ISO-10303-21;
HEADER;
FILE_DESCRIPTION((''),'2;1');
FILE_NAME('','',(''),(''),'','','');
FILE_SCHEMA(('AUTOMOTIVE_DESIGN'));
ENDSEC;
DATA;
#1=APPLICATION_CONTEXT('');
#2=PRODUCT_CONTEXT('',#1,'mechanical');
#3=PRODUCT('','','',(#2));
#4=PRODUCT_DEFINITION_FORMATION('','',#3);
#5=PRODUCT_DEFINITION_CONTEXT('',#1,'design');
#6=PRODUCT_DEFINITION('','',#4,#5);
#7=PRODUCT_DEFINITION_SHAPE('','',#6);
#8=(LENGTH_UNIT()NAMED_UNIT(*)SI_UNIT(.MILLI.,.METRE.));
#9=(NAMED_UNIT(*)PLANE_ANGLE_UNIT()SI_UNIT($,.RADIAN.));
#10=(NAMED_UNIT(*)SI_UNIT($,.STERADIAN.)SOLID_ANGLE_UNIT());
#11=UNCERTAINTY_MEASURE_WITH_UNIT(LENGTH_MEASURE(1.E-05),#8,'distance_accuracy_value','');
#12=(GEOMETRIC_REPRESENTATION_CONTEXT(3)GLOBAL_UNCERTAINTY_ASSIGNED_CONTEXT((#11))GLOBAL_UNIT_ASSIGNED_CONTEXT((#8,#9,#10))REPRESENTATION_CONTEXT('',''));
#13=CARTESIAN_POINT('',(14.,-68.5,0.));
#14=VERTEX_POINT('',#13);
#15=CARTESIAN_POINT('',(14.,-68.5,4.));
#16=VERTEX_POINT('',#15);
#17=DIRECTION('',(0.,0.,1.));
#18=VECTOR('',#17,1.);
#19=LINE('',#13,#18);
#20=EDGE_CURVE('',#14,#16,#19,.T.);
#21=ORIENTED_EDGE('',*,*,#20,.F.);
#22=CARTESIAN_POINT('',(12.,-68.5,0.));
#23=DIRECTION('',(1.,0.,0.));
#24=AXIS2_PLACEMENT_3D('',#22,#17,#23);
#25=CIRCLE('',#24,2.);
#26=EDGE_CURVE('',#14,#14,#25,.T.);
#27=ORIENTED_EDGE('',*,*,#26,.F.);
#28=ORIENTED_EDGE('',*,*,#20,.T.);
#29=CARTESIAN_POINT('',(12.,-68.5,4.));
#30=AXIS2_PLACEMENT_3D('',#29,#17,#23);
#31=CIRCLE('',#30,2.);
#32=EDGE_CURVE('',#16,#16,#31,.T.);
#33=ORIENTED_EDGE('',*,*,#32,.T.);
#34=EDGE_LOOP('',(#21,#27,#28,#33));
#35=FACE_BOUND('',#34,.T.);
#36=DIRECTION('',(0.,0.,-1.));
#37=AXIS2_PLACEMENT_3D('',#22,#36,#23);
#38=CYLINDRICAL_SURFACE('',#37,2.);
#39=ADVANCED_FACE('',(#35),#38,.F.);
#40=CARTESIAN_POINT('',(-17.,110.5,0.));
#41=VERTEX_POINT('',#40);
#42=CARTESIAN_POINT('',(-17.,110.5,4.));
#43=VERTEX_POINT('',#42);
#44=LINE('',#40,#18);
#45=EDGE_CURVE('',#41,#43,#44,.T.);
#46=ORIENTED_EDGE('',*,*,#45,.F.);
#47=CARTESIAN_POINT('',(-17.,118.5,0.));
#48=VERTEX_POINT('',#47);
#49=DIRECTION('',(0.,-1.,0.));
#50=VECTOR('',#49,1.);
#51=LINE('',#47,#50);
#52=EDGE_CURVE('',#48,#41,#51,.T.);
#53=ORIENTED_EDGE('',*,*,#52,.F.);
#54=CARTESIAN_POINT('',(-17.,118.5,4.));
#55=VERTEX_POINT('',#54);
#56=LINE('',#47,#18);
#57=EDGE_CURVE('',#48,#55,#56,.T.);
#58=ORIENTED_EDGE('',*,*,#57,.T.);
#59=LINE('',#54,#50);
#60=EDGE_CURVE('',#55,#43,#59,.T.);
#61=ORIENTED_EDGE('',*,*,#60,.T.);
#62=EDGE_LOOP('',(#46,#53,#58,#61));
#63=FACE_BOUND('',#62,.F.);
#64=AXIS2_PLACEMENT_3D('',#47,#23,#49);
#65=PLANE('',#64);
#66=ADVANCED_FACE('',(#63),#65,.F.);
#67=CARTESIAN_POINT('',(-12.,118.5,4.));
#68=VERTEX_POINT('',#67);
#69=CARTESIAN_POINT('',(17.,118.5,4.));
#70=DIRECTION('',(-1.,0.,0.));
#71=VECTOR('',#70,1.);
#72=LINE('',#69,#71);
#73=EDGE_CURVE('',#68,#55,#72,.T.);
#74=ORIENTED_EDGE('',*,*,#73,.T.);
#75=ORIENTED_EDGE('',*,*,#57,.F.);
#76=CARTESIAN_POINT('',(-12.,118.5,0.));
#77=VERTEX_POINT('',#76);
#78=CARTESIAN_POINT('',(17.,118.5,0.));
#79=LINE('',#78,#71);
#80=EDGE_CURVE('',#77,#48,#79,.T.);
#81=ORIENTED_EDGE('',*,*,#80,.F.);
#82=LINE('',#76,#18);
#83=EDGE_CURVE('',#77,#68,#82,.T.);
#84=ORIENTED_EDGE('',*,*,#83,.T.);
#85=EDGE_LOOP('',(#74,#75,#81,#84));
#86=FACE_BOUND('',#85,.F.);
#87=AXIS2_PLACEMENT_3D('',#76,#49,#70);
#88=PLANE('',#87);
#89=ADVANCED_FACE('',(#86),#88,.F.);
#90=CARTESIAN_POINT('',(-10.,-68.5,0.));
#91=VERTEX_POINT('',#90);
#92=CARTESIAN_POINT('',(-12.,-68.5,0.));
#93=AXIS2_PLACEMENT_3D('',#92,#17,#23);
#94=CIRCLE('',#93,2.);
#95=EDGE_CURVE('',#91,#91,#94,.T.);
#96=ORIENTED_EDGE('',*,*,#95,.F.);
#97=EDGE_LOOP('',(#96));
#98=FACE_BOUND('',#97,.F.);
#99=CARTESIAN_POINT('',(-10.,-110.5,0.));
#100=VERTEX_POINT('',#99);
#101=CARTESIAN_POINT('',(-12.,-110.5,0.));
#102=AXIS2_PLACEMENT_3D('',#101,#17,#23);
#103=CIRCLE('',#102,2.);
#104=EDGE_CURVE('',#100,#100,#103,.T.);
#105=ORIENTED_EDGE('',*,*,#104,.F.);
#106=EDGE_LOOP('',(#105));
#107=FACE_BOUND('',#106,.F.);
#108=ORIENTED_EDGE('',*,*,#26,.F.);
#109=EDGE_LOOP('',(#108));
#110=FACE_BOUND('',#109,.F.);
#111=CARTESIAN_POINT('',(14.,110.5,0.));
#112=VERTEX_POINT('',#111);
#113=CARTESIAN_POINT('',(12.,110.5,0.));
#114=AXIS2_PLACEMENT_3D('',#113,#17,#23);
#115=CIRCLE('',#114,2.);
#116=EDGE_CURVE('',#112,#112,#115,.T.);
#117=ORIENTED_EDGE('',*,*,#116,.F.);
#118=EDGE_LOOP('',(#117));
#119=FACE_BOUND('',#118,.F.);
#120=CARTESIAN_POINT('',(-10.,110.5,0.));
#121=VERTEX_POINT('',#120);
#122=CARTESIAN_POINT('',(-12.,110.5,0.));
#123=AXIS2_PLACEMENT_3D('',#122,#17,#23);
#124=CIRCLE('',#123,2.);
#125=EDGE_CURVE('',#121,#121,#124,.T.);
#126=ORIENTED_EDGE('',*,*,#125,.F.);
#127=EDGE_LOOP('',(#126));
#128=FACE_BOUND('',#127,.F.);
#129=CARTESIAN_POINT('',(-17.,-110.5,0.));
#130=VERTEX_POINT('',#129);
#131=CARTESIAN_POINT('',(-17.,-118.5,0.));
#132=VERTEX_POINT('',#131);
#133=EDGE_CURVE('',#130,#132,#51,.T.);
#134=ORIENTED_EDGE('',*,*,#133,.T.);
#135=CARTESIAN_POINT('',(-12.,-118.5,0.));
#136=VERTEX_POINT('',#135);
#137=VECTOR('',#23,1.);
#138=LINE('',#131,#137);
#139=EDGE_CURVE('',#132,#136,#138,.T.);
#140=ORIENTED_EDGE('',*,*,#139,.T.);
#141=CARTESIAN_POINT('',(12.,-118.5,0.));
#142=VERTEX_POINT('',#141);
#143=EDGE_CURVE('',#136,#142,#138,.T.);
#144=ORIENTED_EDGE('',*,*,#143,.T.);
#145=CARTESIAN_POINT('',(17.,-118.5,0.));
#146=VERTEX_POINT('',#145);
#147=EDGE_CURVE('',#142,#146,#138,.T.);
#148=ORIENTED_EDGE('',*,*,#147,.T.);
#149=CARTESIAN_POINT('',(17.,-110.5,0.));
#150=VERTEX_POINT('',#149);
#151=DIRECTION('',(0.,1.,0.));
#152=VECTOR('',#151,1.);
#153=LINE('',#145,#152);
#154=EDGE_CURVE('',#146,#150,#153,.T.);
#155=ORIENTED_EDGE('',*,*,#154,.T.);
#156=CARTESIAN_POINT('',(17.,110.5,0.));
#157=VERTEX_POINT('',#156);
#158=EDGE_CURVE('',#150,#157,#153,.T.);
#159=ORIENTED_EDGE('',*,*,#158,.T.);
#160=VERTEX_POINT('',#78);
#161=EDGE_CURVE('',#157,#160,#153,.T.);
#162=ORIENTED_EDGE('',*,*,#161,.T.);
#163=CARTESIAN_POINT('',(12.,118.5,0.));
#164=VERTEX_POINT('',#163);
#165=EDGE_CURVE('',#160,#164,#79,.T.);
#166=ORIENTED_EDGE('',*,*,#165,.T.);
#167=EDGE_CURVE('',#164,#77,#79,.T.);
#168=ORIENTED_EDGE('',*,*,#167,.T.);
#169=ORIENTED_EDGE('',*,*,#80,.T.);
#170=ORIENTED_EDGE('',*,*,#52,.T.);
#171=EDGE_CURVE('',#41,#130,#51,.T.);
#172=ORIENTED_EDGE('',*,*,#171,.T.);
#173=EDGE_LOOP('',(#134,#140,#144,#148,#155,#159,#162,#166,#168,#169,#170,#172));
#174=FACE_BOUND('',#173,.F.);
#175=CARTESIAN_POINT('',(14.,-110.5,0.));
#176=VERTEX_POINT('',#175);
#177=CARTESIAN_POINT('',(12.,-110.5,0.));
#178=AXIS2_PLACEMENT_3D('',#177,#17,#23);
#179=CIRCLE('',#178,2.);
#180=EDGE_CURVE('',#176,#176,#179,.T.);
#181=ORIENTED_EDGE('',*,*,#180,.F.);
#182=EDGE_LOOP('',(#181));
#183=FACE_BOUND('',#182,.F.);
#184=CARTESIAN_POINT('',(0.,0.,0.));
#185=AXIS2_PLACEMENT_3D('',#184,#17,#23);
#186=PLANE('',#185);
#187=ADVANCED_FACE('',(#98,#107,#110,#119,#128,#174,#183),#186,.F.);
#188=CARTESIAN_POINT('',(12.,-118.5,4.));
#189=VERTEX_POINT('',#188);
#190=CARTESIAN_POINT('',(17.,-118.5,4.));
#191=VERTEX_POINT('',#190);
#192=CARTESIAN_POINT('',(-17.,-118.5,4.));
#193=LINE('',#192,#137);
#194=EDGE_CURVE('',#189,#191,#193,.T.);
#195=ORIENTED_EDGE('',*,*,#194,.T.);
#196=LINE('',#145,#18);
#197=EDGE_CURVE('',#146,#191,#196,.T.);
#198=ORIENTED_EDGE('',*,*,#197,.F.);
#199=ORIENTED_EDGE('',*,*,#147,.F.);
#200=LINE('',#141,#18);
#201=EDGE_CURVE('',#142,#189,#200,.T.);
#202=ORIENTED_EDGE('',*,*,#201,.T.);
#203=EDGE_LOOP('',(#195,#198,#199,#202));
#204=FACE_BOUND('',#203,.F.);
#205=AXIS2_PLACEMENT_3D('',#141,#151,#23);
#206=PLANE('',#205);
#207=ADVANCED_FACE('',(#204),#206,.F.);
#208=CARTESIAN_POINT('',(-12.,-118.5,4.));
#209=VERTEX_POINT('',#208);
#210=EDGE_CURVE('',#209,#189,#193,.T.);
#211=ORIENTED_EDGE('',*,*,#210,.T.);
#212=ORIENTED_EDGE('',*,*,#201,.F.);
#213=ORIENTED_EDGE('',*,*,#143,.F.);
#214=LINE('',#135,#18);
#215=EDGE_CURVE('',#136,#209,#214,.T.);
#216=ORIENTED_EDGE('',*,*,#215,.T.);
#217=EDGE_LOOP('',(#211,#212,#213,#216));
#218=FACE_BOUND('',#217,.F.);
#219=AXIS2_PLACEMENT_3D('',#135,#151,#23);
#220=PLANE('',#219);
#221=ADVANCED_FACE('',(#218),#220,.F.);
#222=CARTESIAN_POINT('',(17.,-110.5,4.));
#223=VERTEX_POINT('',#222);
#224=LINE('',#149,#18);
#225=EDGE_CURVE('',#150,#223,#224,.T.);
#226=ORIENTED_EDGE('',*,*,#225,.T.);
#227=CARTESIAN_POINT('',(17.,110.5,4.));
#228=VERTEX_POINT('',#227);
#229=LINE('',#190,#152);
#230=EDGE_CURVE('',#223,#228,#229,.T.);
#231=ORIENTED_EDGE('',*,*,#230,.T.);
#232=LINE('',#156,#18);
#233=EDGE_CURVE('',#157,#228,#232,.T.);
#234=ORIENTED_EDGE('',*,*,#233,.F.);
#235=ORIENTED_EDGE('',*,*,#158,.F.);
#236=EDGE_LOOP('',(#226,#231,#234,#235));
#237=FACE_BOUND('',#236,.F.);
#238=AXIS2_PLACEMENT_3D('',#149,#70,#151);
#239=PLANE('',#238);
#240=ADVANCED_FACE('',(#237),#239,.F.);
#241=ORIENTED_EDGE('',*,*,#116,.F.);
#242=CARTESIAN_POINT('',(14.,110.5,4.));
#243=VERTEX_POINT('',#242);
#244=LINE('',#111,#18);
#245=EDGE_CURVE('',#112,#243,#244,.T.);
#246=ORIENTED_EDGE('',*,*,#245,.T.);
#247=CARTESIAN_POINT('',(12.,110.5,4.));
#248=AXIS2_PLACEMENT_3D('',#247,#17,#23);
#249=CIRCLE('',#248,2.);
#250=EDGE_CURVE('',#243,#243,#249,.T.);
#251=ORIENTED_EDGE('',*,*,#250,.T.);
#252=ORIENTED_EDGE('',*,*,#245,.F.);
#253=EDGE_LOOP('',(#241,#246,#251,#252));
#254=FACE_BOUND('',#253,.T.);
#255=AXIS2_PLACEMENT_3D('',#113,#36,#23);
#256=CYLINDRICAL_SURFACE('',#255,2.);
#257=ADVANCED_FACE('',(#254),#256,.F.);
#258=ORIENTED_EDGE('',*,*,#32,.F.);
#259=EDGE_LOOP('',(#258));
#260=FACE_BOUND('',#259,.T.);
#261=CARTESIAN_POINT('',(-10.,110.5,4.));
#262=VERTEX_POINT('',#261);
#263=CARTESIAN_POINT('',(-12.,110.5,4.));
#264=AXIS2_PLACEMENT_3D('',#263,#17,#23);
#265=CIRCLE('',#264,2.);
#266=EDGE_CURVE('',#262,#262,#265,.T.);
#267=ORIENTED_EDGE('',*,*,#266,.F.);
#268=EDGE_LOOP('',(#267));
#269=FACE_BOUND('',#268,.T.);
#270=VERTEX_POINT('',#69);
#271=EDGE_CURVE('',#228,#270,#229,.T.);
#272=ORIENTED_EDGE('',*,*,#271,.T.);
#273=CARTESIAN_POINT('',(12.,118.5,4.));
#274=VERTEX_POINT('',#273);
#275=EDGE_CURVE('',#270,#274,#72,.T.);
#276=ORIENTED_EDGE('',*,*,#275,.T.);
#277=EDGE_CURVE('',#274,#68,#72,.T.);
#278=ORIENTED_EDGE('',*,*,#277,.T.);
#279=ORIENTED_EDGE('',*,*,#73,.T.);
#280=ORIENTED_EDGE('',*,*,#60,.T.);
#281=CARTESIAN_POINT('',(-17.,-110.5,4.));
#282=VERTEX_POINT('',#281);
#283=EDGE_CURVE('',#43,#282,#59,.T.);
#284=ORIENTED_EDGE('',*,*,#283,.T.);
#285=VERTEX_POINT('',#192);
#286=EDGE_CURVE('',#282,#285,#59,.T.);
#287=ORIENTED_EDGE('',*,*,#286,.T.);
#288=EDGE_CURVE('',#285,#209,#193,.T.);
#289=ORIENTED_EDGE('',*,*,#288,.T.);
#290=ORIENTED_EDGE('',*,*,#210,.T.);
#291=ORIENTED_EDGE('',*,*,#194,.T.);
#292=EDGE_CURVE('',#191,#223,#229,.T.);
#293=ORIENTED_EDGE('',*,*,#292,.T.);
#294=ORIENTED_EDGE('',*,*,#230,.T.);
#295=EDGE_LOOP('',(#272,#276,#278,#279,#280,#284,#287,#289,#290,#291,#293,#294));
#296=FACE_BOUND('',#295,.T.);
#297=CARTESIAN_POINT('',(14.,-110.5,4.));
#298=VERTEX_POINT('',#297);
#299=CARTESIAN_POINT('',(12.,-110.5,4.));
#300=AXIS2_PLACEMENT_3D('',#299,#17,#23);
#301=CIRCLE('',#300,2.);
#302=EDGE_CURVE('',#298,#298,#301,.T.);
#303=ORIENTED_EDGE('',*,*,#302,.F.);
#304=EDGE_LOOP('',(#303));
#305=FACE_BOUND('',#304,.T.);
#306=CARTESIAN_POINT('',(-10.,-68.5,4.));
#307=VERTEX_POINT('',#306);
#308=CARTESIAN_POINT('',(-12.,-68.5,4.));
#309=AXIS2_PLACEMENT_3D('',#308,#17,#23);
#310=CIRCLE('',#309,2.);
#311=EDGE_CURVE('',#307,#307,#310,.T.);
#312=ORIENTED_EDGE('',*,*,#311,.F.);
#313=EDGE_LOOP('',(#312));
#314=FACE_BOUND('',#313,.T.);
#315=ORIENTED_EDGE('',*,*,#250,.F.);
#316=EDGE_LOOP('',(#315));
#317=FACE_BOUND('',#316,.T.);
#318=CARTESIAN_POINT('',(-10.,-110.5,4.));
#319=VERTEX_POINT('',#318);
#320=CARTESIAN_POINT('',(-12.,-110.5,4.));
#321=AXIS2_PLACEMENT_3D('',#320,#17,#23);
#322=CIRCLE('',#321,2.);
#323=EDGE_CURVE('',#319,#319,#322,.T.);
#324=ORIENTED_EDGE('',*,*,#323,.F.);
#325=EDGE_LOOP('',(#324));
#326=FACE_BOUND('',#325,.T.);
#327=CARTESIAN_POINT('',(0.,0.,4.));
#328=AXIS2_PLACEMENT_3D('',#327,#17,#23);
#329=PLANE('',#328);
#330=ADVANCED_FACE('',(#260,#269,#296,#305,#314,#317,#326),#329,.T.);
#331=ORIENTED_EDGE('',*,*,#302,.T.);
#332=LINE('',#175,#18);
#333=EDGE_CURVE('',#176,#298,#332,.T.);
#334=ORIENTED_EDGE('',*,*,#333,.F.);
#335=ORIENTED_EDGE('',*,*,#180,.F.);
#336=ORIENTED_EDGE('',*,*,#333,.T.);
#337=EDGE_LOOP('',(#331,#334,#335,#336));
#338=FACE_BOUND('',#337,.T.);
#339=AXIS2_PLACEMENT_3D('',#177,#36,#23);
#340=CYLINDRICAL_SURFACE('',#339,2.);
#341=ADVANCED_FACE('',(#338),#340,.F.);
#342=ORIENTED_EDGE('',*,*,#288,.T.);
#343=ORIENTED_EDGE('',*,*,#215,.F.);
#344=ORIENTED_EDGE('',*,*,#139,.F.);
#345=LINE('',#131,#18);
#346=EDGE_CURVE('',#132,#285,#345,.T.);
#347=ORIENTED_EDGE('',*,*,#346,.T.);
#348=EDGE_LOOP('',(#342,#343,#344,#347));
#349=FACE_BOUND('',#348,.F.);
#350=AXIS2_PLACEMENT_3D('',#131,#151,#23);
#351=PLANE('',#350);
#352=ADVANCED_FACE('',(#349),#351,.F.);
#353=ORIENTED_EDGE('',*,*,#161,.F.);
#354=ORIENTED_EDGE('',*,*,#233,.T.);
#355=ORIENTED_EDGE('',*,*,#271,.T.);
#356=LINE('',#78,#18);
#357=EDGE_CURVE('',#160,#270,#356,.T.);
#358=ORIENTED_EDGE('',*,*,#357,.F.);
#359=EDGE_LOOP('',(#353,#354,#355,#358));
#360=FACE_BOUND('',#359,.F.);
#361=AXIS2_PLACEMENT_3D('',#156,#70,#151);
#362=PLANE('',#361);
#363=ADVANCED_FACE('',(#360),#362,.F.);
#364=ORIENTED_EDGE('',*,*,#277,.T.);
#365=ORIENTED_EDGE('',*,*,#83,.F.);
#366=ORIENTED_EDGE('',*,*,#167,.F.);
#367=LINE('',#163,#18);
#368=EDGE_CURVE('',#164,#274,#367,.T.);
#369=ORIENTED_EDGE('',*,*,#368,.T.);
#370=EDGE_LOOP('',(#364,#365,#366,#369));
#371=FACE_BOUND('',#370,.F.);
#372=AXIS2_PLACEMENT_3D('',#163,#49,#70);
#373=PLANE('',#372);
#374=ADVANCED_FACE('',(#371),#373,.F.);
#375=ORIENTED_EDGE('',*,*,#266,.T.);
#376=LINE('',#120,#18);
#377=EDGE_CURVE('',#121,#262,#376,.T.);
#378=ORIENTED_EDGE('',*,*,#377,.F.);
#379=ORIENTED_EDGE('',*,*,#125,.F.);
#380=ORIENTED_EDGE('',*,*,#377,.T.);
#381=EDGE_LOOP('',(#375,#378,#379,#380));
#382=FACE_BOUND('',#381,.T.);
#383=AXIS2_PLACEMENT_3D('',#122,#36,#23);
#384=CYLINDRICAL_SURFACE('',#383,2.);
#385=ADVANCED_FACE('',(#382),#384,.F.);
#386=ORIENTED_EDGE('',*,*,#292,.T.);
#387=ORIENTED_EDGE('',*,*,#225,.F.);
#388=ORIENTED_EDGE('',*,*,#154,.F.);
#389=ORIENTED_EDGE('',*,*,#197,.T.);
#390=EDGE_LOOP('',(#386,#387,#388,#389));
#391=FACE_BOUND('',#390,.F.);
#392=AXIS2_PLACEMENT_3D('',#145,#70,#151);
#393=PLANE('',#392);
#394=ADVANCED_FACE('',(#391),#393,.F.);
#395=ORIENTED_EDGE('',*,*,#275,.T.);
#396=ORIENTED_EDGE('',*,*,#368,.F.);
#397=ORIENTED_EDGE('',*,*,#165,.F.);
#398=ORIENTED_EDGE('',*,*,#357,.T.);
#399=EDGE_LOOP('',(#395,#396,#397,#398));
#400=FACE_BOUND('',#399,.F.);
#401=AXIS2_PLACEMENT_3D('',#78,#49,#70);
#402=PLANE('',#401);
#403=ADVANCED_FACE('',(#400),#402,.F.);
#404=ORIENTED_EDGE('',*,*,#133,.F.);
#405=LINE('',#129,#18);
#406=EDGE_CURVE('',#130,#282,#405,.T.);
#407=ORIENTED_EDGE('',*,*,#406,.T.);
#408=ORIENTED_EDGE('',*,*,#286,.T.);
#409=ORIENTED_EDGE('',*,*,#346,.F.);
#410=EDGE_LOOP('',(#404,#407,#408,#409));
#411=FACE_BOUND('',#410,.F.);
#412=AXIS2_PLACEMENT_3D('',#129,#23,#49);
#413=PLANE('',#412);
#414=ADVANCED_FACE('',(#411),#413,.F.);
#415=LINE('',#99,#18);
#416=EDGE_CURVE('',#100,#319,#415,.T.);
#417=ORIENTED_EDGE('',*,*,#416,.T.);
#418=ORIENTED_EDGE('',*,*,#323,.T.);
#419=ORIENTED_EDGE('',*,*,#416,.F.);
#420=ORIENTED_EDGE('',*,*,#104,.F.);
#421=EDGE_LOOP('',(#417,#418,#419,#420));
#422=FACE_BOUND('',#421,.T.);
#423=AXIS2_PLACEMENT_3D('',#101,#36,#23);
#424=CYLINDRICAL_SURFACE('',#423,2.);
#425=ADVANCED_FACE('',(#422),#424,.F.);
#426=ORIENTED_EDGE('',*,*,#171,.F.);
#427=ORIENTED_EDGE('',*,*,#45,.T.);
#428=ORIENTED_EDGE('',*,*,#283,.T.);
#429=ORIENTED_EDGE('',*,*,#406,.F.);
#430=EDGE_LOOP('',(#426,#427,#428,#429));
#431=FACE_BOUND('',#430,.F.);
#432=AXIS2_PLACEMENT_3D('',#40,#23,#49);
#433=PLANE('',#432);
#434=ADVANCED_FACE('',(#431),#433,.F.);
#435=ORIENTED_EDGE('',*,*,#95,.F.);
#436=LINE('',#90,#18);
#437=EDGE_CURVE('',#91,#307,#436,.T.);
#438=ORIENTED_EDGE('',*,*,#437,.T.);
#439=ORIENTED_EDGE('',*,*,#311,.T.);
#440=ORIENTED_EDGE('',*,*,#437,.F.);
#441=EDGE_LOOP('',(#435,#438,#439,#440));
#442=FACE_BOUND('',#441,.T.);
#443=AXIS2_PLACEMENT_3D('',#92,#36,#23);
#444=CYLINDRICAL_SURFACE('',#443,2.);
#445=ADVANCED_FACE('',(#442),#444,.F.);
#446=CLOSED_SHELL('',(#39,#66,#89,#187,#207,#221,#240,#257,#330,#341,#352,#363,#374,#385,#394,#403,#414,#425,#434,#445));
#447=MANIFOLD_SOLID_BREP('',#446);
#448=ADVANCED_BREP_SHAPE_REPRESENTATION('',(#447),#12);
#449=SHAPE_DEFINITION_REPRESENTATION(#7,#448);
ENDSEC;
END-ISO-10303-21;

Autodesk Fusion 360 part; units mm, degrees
sketch "Sketch1" plane through (0, 0, 0) normal (0, 0, 1) x (1, 0, 0)
  line L0 (17, 118.5) -> (-17, 118.5)
  line L1 (-17, 118.5) -> (-17, -118.5)
  line L2 (-17, -118.5) -> (17, -118.5)
  line L3 (17, -118.5) -> (17, 118.5)
  line L4 (17, 118.5) -> (12, 118.5)
  line L5 (12, 118.5) -> (12, 110.5) construction
  line L6 (12, 110.5) -> (17, 110.5) construction
  line L7 (17, 110.5) -> (17, 118.5)
  line L8 (-17, 118.5) -> (-12, 118.5)
  line L9 (-12, 118.5) -> (-12, 110.5) construction
  line L10 (-12, 110.5) -> (-17, 110.5) construction
  line L11 (-17, 110.5) -> (-17, 118.5)
  line L12 (-17, -118.5) -> (-12, -118.5)
  line L13 (-12, -118.5) -> (-12, -110.5) construction
  line L14 (-12, -110.5) -> (-17, -110.5) construction
  line L15 (-17, -110.5) -> (-17, -118.5)
  line L16 (17, -118.5) -> (12, -118.5)
  line L17 (12, -118.5) -> (12, -110.5) construction
  line L18 (12, -110.5) -> (17, -110.5) construction
  line L19 (17, -110.5) -> (17, -118.5)
  line L20 (12, 110.5) -> (12, 68.5) construction
  line L21 (-12, 110.5) -> (-12, 68.5) construction
  line L22 (12, -110.5) -> (12, -68.5) construction
  line L23 (-12, -110.5) -> (-12, -68.5) construction
  circle A0 centre (-12, -68.5) radius 2
  circle A1 centre (12, -68.5) radius 2
  circle A2 centre (12, -110.5) radius 2
  circle A3 centre (-12, -110.5) radius 2
  circle A4 centre (-12, 110.5) radius 2
  circle A5 centre (12, 110.5) radius 2
  dimension "d3" = 34
  dimension "d4" = 237
  dimension "d5" = 5
  dimension "d6" = 8
  dimension "d7" = 5
  dimension "d8" = 8
  dimension "d9" = 5
  dimension "d10" = 8
  dimension "d11" = 5
  dimension "d12" = 8
  dimension "d13" = 42
  dimension "d14" = 42
  dimension "d15" = 42
  dimension "d16" = 42
  dimension "d17" = 4
  dimension "d18" = 4
  dimension "d19" = 4
  dimension "d20" = 4
  dimension "d21" = 4
  dimension "d22" = 4
extrude "Extrude1" add sketch "Sketch1" along normal blind 4
